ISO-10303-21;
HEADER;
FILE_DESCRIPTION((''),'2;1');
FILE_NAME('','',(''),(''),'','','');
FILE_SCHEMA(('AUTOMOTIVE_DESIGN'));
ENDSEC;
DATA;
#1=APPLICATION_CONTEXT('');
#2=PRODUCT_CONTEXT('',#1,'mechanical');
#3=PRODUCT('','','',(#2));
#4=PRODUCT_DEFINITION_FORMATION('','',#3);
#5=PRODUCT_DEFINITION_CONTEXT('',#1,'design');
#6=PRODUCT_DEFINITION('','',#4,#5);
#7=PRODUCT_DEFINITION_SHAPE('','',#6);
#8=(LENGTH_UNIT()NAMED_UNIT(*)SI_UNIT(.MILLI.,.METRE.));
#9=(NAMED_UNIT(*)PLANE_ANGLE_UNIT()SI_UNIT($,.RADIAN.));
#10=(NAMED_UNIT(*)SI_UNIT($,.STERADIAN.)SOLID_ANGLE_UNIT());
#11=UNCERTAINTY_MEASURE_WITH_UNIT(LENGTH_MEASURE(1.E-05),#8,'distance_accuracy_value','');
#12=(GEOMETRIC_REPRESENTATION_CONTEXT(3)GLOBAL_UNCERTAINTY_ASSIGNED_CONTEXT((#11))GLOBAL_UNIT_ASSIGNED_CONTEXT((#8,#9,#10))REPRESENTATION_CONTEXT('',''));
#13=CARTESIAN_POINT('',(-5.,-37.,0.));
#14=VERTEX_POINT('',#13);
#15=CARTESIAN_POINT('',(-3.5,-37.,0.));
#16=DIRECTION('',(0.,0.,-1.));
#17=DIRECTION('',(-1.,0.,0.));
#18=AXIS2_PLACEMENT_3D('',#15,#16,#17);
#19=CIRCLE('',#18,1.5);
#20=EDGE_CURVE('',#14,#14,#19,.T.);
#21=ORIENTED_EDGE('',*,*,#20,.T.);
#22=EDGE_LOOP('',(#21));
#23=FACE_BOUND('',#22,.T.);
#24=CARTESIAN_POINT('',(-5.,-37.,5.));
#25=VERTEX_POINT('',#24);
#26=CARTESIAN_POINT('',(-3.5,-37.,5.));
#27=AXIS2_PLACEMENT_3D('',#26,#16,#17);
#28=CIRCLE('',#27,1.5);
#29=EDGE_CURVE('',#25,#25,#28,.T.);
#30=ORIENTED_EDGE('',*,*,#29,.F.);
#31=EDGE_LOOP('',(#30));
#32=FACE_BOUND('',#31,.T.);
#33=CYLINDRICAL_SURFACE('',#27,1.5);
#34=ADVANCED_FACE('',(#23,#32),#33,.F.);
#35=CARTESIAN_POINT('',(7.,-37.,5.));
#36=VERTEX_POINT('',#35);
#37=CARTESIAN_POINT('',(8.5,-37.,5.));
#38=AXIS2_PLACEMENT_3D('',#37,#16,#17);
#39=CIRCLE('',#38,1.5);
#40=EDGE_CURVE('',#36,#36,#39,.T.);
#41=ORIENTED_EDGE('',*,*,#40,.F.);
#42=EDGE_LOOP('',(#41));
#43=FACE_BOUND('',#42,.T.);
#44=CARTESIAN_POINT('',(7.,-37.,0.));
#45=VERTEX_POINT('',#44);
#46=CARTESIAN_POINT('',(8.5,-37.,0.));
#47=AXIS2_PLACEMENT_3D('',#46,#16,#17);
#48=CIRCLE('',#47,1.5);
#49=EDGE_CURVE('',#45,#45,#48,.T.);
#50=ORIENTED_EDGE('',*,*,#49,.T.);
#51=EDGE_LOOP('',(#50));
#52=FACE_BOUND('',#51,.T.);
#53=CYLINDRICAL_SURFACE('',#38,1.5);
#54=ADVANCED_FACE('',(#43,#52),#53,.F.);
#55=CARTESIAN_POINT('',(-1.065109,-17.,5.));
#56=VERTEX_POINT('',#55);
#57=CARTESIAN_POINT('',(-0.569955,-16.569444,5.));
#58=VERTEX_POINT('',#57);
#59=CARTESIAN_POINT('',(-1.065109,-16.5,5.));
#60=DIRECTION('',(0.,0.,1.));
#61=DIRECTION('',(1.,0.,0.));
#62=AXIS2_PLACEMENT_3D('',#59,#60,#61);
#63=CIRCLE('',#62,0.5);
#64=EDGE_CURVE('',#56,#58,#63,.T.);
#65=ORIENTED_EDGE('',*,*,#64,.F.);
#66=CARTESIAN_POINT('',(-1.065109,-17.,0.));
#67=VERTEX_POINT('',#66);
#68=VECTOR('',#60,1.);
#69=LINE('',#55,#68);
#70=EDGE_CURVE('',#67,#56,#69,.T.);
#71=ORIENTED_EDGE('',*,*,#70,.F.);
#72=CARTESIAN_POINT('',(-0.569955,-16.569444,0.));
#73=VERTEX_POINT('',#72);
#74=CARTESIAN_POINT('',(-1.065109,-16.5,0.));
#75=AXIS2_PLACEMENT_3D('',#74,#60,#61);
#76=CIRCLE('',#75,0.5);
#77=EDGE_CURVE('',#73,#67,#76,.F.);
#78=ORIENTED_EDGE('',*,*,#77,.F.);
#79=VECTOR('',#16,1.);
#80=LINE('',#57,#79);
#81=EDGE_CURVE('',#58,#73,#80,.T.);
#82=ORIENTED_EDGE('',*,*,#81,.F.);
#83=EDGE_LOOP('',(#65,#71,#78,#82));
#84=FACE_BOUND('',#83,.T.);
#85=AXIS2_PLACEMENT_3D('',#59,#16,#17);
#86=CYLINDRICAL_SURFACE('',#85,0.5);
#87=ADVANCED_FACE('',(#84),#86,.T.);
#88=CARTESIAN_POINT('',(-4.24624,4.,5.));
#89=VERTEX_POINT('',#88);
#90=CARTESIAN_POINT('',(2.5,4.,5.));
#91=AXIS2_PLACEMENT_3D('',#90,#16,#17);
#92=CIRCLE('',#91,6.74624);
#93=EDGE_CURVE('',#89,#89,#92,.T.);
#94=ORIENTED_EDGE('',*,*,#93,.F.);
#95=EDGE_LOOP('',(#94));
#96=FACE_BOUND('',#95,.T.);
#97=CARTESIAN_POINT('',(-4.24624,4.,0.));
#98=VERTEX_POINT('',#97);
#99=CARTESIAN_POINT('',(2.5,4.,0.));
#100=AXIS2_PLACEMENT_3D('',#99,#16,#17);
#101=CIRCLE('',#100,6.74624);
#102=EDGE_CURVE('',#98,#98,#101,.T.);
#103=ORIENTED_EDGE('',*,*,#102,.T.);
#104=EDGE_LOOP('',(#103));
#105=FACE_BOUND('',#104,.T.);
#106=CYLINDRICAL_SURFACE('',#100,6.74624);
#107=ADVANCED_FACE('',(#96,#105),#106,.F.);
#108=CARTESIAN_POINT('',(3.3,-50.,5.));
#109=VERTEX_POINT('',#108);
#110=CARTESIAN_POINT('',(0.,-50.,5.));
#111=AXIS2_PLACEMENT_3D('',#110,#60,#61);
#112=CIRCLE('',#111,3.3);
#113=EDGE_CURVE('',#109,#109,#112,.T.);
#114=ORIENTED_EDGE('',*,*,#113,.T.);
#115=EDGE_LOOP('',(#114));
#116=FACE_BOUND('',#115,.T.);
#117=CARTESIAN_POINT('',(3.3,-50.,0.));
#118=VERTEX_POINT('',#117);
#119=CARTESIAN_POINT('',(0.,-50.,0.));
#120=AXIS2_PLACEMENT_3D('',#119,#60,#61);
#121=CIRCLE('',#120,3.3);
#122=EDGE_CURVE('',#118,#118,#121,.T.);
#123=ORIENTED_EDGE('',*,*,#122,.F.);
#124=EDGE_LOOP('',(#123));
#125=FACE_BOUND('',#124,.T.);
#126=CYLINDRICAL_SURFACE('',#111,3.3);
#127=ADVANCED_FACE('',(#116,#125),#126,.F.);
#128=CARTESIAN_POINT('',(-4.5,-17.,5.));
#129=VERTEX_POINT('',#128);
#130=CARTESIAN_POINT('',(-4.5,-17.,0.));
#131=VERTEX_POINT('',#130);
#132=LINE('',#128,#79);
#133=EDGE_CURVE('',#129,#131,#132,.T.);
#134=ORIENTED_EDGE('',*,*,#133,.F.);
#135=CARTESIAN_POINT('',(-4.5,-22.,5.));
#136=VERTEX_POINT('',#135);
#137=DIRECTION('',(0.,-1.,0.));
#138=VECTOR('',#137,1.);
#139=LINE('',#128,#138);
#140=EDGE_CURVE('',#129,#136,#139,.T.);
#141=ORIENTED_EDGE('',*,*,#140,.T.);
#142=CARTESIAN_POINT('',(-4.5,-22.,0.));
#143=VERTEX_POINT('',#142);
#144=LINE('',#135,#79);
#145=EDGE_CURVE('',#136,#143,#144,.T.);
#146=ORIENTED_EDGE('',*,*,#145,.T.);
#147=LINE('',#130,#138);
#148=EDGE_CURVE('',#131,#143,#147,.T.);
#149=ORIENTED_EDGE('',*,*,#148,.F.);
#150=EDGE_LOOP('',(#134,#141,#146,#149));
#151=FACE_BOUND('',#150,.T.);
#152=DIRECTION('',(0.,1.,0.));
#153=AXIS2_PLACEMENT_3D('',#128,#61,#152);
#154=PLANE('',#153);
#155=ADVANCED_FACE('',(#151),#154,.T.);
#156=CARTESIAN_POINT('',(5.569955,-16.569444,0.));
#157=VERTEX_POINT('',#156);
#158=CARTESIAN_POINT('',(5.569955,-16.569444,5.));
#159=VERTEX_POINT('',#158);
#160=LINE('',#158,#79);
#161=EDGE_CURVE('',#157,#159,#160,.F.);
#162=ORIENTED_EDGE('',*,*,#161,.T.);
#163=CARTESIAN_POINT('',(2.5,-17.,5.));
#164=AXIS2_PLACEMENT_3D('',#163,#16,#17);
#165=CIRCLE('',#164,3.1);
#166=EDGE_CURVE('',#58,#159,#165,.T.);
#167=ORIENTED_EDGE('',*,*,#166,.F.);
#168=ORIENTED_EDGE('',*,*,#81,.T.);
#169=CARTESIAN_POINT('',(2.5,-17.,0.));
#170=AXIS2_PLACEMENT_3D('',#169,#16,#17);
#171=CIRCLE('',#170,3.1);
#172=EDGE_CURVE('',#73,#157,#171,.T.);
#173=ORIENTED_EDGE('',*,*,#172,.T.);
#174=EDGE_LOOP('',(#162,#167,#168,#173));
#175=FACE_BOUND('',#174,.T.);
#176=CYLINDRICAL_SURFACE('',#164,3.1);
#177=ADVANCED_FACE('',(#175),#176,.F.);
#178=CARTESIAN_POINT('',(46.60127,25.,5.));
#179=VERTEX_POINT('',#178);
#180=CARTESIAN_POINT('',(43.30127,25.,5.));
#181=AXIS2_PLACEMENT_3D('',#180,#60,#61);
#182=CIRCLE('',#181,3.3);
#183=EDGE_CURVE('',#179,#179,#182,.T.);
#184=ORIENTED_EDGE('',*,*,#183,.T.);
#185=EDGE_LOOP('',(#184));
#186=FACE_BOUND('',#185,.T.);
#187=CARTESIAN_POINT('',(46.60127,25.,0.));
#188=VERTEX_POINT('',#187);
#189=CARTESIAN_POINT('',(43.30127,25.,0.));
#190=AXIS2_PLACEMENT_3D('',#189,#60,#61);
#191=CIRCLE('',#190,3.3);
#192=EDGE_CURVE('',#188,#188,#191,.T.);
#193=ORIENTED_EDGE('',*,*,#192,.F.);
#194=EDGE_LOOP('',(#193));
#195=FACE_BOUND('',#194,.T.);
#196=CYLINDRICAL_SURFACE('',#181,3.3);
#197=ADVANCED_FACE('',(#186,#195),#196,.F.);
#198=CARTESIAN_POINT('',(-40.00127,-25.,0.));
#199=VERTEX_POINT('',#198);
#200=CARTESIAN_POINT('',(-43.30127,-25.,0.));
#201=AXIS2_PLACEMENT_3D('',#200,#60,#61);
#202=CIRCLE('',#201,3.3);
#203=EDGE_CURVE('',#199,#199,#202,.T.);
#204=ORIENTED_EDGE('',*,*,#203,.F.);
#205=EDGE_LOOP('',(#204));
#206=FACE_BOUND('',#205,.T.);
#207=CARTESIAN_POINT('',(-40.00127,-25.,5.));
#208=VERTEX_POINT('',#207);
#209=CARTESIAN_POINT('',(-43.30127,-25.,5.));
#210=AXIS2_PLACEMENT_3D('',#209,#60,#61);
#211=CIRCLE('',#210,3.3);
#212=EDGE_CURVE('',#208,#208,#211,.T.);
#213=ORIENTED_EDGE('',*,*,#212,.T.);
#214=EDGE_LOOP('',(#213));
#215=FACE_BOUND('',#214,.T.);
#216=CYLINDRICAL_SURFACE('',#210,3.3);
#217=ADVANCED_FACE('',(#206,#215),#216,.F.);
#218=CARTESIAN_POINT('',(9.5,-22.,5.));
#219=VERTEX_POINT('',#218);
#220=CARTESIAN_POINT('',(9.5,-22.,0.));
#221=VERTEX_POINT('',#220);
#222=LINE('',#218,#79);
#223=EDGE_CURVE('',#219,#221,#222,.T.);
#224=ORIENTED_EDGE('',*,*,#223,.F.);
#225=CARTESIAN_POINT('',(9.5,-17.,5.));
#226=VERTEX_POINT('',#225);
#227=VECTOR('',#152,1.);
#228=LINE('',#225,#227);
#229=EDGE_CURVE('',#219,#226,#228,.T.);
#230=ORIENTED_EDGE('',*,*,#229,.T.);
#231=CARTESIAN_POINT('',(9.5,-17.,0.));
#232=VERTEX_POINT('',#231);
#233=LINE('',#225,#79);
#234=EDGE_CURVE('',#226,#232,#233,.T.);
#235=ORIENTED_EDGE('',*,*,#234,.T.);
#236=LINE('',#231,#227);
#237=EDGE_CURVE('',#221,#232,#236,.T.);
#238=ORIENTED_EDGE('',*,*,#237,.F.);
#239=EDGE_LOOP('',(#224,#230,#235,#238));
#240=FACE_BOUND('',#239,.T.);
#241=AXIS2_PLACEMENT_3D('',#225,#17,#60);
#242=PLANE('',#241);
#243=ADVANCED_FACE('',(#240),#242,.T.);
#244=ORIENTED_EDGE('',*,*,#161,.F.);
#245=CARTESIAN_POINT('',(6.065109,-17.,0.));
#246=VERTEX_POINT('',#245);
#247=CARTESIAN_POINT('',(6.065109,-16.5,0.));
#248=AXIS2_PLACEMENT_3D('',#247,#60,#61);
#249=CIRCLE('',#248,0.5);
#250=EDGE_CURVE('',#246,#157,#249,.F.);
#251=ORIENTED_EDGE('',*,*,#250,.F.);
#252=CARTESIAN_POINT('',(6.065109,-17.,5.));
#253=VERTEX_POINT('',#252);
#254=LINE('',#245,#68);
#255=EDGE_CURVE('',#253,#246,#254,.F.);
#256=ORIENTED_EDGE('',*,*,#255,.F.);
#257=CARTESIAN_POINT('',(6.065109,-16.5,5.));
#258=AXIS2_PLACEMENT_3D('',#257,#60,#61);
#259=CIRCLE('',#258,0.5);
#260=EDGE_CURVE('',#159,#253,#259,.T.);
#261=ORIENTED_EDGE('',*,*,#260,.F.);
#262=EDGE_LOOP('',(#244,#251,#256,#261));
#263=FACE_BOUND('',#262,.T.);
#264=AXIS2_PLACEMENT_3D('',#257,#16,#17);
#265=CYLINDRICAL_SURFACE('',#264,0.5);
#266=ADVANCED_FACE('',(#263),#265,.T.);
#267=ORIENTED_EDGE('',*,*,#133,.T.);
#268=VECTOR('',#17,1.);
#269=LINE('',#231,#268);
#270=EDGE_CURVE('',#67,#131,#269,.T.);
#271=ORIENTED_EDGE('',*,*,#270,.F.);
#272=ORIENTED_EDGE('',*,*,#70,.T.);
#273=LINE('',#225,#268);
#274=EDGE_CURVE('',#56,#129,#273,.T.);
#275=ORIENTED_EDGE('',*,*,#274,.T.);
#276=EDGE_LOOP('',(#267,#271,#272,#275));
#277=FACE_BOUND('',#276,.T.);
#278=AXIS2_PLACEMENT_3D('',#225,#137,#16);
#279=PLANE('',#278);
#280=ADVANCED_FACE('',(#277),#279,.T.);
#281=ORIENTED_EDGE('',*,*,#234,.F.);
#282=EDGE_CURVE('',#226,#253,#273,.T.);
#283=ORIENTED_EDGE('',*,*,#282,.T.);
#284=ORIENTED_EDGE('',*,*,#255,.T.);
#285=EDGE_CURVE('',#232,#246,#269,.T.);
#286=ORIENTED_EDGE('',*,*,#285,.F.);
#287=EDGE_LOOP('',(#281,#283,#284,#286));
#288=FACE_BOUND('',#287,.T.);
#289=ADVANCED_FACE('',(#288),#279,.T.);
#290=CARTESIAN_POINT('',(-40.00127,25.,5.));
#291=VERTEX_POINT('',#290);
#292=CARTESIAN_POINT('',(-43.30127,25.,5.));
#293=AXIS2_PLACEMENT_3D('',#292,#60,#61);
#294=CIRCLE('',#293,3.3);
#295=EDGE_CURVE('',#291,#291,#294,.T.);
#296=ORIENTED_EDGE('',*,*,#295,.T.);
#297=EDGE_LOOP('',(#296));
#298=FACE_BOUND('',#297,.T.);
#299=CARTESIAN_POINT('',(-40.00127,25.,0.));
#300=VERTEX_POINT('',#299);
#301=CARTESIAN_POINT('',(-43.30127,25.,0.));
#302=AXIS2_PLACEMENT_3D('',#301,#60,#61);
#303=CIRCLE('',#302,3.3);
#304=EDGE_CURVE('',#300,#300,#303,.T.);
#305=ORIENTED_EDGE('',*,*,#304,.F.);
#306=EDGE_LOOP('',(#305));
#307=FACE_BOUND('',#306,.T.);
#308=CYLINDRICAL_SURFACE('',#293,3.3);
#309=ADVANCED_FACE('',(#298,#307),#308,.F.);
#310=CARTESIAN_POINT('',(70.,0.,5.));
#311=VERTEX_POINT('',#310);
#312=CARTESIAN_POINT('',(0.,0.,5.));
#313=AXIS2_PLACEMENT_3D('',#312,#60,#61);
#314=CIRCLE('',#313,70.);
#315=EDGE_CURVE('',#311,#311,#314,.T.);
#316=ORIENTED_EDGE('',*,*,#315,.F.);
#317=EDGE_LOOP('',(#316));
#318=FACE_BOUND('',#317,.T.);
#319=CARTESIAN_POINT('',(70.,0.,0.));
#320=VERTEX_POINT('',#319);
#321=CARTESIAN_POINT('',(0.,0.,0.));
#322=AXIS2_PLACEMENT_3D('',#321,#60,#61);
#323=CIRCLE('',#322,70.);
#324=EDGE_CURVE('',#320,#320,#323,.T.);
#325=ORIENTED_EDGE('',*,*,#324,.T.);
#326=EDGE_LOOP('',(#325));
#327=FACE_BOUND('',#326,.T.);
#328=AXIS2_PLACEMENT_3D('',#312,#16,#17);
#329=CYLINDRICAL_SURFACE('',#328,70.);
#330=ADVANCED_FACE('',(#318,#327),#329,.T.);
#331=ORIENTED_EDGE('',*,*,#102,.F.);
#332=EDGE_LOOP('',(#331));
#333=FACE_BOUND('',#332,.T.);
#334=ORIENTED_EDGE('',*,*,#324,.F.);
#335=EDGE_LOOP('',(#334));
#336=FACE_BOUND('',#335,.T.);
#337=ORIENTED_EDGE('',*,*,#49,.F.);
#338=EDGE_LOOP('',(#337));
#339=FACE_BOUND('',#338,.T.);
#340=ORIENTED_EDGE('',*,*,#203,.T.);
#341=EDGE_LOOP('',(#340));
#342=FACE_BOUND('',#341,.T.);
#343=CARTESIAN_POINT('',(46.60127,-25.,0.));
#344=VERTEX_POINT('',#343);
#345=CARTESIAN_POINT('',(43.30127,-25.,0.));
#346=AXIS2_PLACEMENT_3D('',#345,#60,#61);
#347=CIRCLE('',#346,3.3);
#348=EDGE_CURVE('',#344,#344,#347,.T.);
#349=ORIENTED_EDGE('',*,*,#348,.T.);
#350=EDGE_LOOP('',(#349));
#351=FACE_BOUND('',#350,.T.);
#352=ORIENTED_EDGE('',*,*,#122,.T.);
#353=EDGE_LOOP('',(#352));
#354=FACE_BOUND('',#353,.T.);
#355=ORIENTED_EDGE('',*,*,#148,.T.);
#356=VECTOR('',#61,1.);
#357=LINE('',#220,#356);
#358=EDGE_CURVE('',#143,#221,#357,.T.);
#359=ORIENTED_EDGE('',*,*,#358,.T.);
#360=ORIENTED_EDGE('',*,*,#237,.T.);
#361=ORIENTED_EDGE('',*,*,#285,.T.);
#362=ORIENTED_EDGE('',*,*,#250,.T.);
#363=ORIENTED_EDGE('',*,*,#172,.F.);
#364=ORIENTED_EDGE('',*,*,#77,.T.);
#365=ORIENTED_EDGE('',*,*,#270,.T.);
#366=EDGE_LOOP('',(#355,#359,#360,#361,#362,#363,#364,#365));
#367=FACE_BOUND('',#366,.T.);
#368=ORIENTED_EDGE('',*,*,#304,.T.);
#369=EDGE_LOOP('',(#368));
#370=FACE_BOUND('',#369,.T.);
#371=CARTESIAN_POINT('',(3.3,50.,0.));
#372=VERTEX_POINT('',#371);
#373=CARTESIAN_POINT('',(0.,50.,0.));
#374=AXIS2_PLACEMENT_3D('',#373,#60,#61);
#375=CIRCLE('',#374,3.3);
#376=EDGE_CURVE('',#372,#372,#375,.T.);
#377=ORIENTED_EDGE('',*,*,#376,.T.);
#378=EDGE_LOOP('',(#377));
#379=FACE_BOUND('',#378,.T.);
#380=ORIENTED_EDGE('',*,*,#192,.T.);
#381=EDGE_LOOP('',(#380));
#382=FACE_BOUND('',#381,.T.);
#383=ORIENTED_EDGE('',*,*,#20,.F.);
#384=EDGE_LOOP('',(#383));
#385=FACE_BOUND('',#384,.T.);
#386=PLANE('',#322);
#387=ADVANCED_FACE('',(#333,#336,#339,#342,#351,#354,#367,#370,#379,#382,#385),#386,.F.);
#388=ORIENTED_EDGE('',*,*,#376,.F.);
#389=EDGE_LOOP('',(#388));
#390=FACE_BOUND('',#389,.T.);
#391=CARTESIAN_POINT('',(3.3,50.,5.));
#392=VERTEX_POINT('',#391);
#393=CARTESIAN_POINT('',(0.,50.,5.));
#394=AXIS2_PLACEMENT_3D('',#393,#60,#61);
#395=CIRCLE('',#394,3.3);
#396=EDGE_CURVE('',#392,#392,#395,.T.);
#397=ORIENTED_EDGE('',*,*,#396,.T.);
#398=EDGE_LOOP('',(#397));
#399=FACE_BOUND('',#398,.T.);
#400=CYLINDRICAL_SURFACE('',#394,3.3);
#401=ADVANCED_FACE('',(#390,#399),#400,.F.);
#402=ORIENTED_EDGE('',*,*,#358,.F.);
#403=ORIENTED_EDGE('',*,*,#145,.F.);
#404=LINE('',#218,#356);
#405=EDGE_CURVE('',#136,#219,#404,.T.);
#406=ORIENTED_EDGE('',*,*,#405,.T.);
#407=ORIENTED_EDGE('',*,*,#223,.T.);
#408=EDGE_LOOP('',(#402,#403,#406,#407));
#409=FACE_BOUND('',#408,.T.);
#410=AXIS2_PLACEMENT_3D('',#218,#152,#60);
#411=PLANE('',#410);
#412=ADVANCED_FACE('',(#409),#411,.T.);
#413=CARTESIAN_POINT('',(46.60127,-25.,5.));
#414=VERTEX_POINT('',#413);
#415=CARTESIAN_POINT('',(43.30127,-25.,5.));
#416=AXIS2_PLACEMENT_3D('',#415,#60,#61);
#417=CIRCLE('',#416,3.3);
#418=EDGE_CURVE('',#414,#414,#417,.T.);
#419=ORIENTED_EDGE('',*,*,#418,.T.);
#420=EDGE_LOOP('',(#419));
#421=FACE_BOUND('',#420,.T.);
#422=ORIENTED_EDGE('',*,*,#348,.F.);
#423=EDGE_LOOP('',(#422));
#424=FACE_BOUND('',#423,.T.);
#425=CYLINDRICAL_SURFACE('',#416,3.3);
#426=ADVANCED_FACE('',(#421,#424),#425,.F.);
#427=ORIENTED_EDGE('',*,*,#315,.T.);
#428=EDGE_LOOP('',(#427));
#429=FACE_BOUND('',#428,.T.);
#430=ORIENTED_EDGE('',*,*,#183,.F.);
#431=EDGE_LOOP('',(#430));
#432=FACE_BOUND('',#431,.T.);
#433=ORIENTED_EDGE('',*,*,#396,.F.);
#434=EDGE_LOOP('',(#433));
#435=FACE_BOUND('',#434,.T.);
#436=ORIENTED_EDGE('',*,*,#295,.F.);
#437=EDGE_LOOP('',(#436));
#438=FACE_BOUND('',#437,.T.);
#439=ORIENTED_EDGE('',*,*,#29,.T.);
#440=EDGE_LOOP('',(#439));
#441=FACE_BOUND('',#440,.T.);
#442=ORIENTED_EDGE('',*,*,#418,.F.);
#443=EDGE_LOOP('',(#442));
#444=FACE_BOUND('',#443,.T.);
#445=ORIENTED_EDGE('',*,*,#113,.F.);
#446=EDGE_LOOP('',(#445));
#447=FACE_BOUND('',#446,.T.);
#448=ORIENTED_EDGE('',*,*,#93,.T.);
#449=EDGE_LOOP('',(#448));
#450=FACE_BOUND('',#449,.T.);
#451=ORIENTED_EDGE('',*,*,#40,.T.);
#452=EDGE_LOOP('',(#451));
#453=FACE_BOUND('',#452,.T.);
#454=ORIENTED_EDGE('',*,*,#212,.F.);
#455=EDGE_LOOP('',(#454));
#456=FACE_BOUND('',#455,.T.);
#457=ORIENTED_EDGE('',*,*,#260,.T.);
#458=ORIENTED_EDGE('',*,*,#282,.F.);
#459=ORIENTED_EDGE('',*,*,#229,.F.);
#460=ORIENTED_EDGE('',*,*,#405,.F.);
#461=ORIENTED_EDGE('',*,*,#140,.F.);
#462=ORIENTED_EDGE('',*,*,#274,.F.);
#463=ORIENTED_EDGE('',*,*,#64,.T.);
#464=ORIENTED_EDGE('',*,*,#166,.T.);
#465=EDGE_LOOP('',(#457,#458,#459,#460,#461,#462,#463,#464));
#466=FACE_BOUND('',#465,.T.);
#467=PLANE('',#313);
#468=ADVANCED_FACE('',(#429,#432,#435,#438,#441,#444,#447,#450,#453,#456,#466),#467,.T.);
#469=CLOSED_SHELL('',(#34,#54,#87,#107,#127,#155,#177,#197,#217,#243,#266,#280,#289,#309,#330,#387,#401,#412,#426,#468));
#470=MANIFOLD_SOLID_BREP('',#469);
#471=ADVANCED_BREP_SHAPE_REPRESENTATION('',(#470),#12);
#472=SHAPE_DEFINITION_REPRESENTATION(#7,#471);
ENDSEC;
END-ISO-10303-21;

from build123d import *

# Parameters (mm, degrees)
SKETCH1_R               = 70
BOSS_EXTRUDE1_DEPTH     = 5
SKETCH4_R               = 3
CUT_EXTRUDE2_DEPTH      = 100.121138008
CIRPATTERN1_COUNT       = 6
M6_CLEARANCE_HOLE1_D    = 6.6
SKETCH7_W               = 14
SKETCH7_H               = 5
CUT_EXTRUDE3_DEPTH      = 100.121138008
SKETCH8_R               = 1
SKETCH8_R_2             = 3.1
CUT_EXTRUDE4_DEPTH      = 100.121138008
F_1_2_CLEARANCE_HOLE1_D = 13.49248
FILLET1_R               = 0.5
SKETCH20_R              = 1.5
CUT_EXTRUDE6_DEPTH      = 100.121138008


with BuildPart() as part:
    # Sketch1 → Boss-Extrude1 (new body)
    with BuildSketch(Plane.XY):
        Circle(SKETCH1_R)
    extrude(amount=BOSS_EXTRUDE1_DEPTH)

    # Sketch4 → Cut-Extrude2 (cut, through all)
    with BuildSketch(Plane.XY):
        with Locations((0, 50)):
            Circle(SKETCH4_R)
    cut_extrude2 = extrude(amount=CUT_EXTRUDE2_DEPTH, mode=Mode.SUBTRACT)

    # CirPattern1: Cut-Extrude2 ×6 about axis
    cirpattern1_axis = Axis((0, 0, 0), (0, 0, 1))
    for i in range(1, CIRPATTERN1_COUNT):
        add(cut_extrude2.rotate(cirpattern1_axis, i * 360 / CIRPATTERN1_COUNT), mode=Mode.SUBTRACT)

    # M6 Clearance Hole1 (through all)
    with Locations(Plane.XY.offset(5)):
        with Locations((0, 50), (43.301270189, 25), (43.301270189, -25), (0, -50), (-43.301270189, -25), (-43.301270189, 25)):
            Hole(M6_CLEARANCE_HOLE1_D / 2)

    # Sketch7 → Cut-Extrude3 (cut, through all)
    with BuildSketch(Plane.XY):
        with Locations((2.5, -19.5)):
            Rectangle(SKETCH7_W, SKETCH7_H)
    extrude(amount=CUT_EXTRUDE3_DEPTH, mode=Mode.SUBTRACT)

    # Sketch8 → Cut-Extrude4 (cut, through all)
    with BuildSketch(Plane(origin=(0, 0, 0), x_dir=(-1, 0, 0), z_dir=(0, 0, -1))):
        with Locations((-2.5, 4)):
            Circle(SKETCH8_R)
        with Locations((-2.5, -17)):
            Circle(SKETCH8_R_2)
    extrude(amount=-CUT_EXTRUDE4_DEPTH, mode=Mode.SUBTRACT)

    # 1/2 Clearance Hole1 (through all)
    with Locations(Plane(origin=(0, 0, 0), x_dir=(-1, 0, 0), z_dir=(0, 0, -1))):
        with Locations((-2.5, 4)):
            Hole(F_1_2_CLEARANCE_HOLE1_D / 2)

    # Fillet1
    fillet1_edges = [part.edges().sort_by_distance(p)[0] for p in [
        (5.6, -17, 2.5),
        (-0.6, -17, 2.5),
    ]]
    fillet(fillet1_edges, radius=FILLET1_R)

    # Sketch20 → Cut-Extrude6 (cut, through all)
    with BuildSketch(Plane(origin=(0, 0, 0), x_dir=(-1, 0, 0), z_dir=(0, 0, -1))):
        with Locations((-8.5, -37)):
            Circle(SKETCH20_R)
        with Locations((3.5, -37)):
            Circle(SKETCH20_R)
    extrude(amount=-CUT_EXTRUDE6_DEPTH, mode=Mode.SUBTRACT)


solid = part.part
